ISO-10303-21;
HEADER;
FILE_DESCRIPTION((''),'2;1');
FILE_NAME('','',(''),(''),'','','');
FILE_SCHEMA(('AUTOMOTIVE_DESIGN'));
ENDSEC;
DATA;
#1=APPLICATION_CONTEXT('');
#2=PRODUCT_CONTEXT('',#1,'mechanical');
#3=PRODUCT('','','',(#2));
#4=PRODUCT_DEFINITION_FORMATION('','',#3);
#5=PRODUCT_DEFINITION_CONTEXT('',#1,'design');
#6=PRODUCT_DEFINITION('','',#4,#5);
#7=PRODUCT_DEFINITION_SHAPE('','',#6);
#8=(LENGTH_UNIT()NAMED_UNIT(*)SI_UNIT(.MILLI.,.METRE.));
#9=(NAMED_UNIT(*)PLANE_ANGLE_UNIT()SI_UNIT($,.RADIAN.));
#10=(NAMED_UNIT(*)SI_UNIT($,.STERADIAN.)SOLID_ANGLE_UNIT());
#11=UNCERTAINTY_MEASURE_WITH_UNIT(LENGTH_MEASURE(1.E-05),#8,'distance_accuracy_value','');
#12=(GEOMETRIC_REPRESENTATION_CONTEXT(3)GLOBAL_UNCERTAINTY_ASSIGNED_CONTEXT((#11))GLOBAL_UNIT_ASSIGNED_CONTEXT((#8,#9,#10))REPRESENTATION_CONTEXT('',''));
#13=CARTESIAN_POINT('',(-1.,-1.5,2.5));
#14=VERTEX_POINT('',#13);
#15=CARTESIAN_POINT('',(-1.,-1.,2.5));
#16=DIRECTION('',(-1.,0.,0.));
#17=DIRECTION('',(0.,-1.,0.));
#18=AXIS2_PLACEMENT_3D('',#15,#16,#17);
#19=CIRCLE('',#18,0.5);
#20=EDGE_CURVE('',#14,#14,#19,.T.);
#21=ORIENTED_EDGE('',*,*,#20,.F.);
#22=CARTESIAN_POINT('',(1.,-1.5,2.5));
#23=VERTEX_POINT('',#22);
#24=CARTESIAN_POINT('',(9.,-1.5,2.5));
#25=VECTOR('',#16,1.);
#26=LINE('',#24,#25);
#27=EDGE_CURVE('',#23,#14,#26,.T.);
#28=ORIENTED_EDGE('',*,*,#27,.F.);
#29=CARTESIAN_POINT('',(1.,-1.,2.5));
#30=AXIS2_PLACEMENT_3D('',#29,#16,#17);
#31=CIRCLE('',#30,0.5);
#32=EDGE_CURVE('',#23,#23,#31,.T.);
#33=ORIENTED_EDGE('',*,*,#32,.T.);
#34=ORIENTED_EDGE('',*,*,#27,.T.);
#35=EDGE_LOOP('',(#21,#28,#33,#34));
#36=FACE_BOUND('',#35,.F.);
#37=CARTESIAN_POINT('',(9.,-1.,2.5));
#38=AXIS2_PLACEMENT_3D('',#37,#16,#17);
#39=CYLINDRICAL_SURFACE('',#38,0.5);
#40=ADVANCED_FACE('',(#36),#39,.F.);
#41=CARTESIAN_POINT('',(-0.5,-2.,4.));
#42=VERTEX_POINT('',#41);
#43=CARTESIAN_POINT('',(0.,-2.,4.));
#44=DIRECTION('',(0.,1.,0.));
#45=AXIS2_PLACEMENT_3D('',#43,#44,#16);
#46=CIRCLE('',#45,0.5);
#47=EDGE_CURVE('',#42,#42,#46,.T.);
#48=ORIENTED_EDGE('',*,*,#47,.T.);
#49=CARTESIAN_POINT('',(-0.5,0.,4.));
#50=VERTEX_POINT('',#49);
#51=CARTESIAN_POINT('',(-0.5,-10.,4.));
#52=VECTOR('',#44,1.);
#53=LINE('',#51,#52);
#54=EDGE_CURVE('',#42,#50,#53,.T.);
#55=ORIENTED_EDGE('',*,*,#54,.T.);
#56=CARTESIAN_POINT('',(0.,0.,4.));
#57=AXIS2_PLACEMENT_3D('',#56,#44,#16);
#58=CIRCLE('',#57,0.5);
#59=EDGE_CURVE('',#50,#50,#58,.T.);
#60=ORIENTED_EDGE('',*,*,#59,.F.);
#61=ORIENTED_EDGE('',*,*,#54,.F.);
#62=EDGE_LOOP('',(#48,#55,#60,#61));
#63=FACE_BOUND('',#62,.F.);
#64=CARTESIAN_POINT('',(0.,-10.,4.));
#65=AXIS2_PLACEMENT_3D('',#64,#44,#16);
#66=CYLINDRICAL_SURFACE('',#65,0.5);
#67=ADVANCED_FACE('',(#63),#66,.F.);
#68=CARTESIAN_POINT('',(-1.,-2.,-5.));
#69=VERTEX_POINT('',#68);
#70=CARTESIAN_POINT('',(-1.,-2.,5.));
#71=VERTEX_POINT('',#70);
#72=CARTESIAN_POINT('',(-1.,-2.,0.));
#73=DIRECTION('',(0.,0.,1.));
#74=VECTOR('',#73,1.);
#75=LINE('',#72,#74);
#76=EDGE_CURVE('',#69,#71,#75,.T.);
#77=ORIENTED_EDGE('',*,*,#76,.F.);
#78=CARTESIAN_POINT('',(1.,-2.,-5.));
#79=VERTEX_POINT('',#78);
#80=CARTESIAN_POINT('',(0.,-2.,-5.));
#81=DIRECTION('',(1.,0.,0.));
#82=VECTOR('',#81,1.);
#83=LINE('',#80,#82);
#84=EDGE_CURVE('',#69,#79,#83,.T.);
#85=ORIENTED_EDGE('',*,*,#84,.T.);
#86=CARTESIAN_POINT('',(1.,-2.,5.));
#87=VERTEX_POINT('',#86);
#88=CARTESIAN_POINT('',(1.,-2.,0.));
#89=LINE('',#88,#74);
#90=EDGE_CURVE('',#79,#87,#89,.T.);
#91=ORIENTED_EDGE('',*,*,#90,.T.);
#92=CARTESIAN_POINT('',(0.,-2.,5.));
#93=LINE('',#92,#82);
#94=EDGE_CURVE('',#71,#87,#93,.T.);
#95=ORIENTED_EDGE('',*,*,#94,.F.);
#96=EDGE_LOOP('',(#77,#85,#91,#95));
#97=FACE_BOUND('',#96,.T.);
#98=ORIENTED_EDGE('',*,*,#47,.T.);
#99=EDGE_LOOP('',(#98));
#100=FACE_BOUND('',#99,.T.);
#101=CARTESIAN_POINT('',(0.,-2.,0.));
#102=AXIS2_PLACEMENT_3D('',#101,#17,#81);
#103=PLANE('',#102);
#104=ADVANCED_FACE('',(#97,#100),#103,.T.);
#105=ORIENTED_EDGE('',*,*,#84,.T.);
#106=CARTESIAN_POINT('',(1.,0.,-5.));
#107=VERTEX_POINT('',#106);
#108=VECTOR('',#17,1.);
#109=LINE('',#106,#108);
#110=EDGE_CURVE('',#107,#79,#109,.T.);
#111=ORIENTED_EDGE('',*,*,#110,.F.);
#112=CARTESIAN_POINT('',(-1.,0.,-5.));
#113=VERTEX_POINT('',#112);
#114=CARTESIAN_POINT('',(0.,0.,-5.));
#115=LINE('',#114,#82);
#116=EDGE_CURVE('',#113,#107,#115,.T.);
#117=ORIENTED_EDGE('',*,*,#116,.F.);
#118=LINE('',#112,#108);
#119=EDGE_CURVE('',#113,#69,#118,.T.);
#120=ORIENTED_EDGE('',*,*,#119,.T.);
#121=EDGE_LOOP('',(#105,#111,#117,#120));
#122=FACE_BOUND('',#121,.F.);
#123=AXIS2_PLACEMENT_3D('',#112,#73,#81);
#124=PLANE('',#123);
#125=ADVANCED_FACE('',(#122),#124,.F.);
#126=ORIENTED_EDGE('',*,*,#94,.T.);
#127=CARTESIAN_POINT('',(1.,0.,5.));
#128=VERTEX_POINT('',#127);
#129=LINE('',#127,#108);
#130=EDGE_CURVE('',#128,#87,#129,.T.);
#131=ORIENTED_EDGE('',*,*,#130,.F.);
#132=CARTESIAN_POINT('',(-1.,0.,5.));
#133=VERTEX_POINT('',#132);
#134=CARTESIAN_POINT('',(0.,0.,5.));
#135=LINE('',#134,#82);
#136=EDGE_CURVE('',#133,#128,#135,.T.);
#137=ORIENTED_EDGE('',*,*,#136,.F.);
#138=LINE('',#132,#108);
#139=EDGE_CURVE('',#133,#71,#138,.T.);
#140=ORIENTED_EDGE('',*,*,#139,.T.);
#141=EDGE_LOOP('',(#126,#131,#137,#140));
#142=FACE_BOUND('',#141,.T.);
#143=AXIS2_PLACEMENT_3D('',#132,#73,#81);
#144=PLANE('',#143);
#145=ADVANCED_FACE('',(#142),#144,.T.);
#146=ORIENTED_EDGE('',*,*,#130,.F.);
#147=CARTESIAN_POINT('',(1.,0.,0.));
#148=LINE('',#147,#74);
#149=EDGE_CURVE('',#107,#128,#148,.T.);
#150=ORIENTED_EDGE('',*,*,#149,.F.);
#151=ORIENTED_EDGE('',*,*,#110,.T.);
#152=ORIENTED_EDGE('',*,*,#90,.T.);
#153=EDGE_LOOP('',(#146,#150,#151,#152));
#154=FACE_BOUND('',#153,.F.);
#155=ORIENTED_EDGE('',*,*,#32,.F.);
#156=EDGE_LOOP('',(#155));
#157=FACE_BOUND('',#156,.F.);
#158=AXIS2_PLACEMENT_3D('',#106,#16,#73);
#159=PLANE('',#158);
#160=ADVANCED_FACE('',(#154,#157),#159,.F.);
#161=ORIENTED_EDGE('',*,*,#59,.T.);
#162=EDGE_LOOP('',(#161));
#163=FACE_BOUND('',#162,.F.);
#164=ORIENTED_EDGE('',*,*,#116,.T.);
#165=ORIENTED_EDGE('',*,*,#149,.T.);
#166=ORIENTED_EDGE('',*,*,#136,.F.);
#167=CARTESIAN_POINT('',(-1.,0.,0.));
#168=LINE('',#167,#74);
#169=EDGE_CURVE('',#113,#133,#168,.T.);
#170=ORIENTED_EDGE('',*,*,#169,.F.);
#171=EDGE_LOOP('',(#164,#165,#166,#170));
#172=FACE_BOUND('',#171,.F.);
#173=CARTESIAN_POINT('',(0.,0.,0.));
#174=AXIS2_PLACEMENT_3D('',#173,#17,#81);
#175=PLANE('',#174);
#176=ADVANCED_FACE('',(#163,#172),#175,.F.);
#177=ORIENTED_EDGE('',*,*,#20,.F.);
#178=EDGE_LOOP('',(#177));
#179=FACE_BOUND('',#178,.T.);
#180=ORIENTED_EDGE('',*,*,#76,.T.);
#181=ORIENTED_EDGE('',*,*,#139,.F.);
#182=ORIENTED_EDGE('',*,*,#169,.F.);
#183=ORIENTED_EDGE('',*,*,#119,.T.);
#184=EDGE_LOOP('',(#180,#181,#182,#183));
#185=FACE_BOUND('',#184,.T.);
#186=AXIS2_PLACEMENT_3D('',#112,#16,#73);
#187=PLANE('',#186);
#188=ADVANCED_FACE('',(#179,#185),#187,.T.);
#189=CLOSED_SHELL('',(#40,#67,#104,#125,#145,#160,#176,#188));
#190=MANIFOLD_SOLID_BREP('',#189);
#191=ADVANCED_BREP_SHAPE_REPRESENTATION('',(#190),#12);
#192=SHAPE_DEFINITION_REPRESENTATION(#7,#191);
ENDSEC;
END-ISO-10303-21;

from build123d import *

# Parameters (mm, degrees)
F0_W     = 2
F0_H     = 10
F1_DEPTH = 2
F3_D     = 1
F3_DEPTH = 8
F5_D     = 1
F5_DEPTH = 8


with BuildPart() as f1:
    # F0 (on Front) → F1 (new body)
    with BuildSketch(Plane.XZ):
        Rectangle(F0_W, F0_H)
    extrude(amount=F1_DEPTH)

    # F3
    with Locations(Plane.XZ.offset(2)):
        with Locations((0, 4)):
            Hole(F3_D / 2, depth=F3_DEPTH)

    # F5
    with Locations(Plane.YZ.offset(1)):
        with Locations((-1, 2.5)):
            Hole(F5_D / 2, depth=F5_DEPTH)


solid = f1.part
